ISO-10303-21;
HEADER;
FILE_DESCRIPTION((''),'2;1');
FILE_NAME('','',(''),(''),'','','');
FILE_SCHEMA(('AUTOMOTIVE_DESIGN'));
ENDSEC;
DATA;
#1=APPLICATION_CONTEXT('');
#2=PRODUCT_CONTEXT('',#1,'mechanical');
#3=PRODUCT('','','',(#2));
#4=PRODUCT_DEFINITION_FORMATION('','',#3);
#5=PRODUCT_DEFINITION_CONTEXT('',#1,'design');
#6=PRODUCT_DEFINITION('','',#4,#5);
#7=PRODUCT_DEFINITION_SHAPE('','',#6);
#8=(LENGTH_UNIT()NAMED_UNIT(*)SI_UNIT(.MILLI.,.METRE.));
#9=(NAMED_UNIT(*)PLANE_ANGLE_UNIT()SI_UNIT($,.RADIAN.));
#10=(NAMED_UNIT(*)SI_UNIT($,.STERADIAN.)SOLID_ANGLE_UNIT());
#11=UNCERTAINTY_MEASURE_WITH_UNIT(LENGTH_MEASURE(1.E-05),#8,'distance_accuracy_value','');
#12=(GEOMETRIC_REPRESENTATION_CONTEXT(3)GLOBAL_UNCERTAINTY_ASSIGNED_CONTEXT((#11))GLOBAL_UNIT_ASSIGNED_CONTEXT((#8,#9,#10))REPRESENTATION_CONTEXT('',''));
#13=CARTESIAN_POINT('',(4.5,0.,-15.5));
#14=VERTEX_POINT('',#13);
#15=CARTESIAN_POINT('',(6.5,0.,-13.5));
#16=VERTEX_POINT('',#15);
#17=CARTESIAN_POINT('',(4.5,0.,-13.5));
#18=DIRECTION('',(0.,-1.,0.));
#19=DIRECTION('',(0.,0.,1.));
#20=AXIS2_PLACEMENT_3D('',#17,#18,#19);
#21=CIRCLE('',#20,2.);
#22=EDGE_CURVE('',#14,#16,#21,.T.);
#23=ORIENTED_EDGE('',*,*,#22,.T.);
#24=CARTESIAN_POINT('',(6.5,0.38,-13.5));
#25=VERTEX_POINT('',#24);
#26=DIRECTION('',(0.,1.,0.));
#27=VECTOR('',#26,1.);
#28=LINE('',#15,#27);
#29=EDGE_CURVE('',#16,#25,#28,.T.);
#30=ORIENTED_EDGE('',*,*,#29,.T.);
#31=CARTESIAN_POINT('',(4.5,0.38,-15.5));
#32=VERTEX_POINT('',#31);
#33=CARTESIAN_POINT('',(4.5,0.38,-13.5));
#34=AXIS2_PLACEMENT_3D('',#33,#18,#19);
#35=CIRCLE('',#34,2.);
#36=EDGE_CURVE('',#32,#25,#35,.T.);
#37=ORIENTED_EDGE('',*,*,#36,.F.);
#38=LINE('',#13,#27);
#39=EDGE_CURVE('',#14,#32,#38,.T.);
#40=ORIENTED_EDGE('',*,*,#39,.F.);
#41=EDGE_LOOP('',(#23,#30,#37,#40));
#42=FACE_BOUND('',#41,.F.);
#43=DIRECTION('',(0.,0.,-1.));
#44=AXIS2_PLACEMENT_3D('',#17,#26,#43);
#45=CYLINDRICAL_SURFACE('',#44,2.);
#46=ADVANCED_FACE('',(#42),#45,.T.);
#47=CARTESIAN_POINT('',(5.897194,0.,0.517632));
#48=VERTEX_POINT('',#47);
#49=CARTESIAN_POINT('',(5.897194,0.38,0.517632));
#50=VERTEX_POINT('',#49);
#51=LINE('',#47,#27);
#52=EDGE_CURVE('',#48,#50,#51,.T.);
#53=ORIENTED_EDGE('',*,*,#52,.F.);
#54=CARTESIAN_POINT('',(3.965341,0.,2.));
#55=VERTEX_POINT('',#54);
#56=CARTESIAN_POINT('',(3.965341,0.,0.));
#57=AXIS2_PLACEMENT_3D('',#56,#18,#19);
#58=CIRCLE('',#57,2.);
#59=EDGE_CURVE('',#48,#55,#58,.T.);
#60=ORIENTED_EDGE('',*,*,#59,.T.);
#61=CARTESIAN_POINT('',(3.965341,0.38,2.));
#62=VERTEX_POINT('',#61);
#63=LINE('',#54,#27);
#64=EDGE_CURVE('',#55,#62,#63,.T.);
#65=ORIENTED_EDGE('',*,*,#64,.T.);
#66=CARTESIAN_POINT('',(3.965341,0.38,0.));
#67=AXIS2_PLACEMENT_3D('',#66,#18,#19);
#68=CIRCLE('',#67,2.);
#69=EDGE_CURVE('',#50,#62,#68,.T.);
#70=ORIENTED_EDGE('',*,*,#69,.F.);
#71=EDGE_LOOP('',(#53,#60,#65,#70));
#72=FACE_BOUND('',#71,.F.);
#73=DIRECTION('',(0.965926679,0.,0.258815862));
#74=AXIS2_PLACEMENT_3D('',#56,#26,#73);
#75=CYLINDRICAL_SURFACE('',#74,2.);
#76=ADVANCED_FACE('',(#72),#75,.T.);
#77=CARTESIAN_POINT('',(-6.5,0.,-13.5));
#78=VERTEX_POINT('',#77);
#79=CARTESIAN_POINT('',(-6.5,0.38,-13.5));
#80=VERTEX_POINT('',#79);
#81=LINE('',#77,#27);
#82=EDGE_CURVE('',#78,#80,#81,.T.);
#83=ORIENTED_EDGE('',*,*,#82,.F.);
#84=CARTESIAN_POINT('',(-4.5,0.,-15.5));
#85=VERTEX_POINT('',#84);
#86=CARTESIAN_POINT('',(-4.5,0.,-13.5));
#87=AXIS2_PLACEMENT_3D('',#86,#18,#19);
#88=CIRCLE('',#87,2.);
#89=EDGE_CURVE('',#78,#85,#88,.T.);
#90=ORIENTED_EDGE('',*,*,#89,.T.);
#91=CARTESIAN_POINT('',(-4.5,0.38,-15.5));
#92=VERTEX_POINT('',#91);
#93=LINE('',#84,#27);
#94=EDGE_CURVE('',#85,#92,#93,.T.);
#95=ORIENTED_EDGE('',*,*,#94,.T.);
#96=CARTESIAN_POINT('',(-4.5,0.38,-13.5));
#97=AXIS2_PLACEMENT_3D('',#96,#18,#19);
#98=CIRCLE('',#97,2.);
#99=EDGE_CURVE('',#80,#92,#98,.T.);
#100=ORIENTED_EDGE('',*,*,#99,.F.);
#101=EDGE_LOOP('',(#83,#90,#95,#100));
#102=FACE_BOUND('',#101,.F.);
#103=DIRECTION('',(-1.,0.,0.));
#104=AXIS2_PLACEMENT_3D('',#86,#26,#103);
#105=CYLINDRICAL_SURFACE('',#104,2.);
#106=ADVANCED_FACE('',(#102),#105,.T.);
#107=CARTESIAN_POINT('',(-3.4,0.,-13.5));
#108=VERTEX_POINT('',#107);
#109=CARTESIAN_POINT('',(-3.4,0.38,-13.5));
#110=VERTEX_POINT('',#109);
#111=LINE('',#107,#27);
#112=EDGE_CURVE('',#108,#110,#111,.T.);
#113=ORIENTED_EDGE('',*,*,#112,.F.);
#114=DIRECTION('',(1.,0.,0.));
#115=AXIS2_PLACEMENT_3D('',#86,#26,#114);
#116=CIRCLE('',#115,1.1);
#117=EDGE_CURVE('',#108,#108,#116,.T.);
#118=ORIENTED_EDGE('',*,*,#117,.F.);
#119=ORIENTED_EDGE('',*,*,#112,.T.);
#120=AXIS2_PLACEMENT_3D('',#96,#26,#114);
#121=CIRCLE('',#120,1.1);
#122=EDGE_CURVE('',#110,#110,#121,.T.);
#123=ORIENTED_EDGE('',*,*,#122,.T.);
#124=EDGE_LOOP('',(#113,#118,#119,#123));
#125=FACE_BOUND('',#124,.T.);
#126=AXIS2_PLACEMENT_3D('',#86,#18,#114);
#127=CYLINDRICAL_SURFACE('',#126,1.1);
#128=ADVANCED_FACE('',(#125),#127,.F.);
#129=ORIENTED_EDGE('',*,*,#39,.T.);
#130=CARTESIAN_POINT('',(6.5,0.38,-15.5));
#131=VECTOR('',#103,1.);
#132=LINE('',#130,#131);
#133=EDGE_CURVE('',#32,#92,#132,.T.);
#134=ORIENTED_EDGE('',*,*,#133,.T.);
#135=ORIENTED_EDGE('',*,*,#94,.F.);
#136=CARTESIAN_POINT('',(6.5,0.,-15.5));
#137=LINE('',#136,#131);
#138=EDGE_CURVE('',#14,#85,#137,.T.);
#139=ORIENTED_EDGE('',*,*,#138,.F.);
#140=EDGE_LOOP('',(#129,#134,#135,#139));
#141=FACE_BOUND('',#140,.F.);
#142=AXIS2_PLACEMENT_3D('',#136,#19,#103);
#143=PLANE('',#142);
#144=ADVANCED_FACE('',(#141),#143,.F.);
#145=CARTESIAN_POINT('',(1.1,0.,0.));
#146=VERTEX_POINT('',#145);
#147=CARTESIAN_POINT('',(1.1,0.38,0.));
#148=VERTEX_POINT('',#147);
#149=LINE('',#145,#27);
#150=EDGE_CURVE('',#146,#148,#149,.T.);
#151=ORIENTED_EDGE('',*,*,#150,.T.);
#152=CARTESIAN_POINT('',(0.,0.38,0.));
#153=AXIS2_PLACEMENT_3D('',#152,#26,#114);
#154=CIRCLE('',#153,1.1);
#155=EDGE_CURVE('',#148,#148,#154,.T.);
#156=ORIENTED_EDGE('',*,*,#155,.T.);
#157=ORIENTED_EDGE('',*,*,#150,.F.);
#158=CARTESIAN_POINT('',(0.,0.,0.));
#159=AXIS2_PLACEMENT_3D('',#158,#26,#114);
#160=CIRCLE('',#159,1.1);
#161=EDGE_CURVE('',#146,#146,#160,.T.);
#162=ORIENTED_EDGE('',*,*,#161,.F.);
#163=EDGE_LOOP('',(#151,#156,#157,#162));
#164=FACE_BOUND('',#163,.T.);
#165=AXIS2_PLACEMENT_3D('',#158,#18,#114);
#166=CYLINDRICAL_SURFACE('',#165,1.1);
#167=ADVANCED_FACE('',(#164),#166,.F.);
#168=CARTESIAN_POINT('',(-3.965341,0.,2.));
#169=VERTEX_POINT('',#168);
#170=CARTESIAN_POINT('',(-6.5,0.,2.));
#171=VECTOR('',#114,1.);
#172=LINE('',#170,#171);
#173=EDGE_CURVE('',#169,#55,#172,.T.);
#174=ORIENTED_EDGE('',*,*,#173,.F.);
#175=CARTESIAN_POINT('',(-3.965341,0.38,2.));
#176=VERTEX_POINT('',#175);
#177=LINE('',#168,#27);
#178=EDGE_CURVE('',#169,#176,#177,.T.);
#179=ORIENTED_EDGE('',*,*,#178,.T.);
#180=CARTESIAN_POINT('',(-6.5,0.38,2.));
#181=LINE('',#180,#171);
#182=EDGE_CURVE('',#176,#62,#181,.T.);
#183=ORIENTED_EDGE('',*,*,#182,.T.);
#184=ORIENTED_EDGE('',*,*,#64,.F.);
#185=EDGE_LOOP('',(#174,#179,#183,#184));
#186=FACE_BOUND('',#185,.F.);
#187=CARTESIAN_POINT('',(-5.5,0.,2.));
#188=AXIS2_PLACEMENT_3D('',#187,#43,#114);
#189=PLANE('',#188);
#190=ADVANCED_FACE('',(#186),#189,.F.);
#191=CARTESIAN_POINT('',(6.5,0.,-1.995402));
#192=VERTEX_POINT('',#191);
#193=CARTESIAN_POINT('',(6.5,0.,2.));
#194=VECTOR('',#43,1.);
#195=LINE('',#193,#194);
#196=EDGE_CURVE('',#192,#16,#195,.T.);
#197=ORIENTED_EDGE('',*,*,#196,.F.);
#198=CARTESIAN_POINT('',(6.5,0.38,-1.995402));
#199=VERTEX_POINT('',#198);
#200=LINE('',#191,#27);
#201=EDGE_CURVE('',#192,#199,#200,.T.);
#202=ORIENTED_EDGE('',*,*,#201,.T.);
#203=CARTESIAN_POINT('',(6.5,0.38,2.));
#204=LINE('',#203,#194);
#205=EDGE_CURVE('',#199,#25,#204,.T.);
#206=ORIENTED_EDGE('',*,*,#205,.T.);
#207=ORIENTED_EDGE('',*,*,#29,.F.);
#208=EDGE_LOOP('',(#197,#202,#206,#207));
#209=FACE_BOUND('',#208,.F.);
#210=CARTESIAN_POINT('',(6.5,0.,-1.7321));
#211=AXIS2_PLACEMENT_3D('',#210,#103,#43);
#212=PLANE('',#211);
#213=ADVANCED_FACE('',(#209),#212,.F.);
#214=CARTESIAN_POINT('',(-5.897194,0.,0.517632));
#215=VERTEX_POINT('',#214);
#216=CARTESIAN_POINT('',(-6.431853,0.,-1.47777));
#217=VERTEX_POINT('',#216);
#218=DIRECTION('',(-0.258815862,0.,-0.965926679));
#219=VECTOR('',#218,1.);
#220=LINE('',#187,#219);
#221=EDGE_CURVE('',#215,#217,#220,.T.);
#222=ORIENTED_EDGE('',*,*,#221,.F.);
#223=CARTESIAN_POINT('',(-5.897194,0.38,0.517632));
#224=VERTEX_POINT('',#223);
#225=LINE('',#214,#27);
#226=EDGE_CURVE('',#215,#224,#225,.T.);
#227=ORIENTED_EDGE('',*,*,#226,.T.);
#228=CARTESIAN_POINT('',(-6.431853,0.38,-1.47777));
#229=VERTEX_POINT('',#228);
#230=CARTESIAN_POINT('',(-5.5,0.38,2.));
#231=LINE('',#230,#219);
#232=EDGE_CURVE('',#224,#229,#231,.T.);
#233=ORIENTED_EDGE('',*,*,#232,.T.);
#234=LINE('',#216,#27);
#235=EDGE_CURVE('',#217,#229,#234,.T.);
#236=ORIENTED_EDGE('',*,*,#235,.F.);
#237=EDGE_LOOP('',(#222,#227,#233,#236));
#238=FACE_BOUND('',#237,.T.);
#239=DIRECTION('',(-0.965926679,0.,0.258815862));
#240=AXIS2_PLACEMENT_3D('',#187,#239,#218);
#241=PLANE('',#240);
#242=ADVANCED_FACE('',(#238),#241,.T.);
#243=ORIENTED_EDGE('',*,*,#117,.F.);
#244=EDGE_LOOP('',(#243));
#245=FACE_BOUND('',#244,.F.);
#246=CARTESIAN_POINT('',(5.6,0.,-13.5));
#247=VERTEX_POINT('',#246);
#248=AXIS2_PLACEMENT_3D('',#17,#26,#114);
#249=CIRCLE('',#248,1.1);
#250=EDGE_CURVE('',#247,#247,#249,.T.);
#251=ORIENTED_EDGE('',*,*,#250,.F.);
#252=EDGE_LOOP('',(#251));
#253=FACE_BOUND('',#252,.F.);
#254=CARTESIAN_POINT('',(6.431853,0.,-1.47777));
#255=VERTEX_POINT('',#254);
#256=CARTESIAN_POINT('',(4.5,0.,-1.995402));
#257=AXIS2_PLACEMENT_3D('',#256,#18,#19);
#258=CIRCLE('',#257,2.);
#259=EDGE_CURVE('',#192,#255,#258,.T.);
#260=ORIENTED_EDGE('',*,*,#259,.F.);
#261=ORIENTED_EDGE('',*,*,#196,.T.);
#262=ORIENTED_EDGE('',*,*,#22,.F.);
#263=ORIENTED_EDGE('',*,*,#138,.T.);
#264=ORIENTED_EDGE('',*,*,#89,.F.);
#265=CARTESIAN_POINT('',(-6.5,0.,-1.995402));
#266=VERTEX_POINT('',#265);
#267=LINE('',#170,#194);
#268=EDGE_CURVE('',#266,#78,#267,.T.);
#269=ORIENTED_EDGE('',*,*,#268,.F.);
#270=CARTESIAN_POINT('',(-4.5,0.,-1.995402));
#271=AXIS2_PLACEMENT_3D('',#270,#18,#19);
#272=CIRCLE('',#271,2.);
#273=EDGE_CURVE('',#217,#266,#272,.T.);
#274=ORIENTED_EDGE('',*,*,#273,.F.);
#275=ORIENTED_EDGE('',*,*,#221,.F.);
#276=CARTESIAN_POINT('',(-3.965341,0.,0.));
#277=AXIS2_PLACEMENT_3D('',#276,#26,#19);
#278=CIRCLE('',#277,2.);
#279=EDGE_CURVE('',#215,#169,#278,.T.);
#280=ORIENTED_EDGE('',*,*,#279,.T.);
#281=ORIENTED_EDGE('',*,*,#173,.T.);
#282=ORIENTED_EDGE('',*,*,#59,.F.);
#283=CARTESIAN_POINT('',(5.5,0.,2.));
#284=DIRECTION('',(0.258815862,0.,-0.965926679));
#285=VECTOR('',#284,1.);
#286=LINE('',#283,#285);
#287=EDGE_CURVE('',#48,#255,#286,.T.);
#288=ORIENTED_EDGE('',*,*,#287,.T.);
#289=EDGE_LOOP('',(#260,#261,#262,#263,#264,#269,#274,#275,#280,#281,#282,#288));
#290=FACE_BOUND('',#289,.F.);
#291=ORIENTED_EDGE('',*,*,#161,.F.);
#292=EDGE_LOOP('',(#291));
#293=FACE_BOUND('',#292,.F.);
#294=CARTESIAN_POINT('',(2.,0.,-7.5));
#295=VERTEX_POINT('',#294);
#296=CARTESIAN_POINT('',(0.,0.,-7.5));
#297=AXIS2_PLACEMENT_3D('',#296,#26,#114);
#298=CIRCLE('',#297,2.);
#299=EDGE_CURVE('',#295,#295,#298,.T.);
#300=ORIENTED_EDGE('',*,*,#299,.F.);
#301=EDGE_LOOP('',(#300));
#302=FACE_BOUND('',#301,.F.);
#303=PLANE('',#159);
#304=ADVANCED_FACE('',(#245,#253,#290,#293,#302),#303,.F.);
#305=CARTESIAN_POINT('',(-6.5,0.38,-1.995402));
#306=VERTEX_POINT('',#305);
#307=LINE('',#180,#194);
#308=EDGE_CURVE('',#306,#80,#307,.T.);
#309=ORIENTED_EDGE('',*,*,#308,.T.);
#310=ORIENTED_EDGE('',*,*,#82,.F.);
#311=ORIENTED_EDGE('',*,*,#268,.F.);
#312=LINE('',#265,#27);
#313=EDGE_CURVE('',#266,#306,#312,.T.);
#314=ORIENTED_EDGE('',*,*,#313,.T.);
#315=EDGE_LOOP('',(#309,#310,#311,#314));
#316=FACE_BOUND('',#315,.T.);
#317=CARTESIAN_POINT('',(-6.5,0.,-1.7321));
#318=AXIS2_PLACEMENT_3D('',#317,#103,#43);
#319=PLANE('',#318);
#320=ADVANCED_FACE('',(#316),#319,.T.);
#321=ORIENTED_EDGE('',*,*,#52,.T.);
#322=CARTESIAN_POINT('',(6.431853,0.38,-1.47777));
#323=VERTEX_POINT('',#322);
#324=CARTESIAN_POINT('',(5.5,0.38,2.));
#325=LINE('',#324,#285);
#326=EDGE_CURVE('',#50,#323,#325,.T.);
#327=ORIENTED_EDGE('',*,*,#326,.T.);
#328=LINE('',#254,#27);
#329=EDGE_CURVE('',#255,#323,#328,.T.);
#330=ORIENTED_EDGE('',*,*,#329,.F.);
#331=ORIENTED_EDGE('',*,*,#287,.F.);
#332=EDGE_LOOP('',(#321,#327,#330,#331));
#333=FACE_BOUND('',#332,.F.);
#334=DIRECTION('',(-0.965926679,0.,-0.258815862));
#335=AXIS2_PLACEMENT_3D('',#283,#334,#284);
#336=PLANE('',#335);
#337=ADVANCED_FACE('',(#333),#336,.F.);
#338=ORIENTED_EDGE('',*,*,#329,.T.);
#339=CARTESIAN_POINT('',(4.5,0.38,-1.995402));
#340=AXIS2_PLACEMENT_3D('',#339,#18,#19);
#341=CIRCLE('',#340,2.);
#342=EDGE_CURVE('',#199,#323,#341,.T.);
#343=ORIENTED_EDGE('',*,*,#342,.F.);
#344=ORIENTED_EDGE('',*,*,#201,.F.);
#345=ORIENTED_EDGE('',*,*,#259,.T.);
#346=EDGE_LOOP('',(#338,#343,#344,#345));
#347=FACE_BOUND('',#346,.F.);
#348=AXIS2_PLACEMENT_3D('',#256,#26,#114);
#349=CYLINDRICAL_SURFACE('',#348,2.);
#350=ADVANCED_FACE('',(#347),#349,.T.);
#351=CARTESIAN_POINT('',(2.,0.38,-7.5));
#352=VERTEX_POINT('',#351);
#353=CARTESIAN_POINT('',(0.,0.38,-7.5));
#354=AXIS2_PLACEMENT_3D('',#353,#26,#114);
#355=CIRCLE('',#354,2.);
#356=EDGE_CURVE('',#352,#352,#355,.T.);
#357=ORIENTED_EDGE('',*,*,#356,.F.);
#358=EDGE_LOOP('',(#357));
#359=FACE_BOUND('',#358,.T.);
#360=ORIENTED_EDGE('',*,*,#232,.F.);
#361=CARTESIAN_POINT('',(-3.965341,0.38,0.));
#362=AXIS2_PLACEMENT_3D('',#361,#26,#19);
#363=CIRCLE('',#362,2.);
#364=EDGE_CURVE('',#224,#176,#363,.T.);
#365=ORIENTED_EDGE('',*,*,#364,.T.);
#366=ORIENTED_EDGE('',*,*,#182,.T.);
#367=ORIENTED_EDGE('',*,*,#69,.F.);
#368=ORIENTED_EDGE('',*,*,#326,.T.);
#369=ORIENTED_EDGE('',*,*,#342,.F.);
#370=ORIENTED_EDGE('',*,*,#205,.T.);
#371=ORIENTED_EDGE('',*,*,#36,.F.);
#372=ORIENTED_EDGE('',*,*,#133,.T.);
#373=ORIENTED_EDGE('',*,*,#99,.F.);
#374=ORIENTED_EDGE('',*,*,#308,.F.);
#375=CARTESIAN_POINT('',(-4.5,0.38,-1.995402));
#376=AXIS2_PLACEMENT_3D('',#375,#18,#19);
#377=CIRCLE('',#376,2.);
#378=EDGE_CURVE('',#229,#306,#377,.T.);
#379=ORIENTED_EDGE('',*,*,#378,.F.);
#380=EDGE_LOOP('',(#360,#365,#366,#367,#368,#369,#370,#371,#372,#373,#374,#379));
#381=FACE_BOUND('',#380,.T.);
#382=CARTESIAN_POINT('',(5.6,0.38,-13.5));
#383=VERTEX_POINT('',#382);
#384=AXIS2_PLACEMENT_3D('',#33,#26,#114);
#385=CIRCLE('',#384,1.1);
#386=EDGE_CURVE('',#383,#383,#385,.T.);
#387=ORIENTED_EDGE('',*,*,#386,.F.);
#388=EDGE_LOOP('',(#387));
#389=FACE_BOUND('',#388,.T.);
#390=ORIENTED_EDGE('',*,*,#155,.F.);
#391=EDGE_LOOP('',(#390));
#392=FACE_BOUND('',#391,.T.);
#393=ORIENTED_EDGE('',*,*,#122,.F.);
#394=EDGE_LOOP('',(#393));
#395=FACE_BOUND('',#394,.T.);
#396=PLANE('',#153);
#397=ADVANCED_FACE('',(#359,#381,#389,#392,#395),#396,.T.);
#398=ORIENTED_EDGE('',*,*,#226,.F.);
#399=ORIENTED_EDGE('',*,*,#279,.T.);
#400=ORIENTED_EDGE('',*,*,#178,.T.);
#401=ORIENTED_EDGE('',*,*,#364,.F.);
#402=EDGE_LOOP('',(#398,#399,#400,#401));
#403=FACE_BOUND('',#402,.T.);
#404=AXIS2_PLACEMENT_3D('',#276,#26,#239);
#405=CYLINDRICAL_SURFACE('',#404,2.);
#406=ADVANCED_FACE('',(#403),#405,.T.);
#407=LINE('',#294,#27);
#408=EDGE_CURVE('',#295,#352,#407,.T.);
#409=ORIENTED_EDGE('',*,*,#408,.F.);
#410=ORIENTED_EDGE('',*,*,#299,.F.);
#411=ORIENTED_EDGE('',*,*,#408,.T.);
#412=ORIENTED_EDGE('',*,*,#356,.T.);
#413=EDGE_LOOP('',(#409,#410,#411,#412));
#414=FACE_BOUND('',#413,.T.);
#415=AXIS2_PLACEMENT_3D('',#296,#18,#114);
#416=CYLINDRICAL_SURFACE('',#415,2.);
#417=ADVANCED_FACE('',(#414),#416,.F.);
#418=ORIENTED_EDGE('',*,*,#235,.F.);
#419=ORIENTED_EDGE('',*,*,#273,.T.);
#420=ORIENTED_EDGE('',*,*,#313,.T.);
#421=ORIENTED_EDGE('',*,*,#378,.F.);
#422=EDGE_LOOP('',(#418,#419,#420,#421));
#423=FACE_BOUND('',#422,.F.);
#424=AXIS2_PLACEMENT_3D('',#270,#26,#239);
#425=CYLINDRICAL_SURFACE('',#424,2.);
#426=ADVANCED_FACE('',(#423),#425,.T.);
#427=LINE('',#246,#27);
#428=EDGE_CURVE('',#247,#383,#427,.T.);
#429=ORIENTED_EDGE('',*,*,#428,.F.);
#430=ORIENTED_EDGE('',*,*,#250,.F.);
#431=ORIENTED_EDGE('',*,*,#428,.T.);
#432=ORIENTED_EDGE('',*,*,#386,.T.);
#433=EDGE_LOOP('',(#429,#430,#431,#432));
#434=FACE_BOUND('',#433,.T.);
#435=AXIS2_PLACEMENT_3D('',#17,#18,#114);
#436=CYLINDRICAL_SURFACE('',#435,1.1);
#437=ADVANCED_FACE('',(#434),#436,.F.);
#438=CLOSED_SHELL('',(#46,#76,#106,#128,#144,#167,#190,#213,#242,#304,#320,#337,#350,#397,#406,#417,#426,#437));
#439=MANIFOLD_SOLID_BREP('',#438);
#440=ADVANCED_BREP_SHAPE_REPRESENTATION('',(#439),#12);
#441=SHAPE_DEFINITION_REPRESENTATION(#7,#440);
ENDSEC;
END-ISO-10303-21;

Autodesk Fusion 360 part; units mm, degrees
sketch "Sketch1" plane through (0, 0, 0) normal (0, 1, 0) x (1, 0, 0)
  circle A0 centre (-4.5, 13.5) radius 1.1
  circle A1 centre (4.5, 13.5) radius 1.1
  line L0 (0, -20) -> (0, -2.5) construction
  circle A2 centre (0, 0) radius 1.1
  circle A3 centre (0, 7.5) radius 2
  line L1 (-6.5, -2) -> (6.5, -2)
  line L2 (6.5, -2) -> (6.5, 15.5)
  line L3 (-6.5, -2) -> (-6.5, 15.5)
  line L4 (6.5, 15.5) -> (-6.5, 15.5)
  line L5 (-5.5, -2) -> (-6.5, 1.7321)
  line L6 (5.5, -2) -> (6.5, 1.7321)
  dimension "d1" = 2.2
  dimension "d2" = 2.2
  dimension "d3" = 9
  dimension "d4" = 13.5
  dimension "d5" = 2.2
  dimension "d6" = 7.5
  dimension "d7" = 4
  dimension "d8" = 13
  dimension "d9" = 2
  dimension "d10" = 2
  dimension "d15" = 30
  dimension "d16" = 11
extrude "Extrude1" add sketch "Sketch1" along normal blind 0.38 contours L1 L2 L3 L4 L5 L6
fillet "Fillet1" radius 2 6 edges at (-6.5, 0.19, -15.5) (6.5, 0.19, -15.5) (-5.5, 0.19, 2) (-6.5, 0.19, -1.7321) (5.5, 0.19, 2) (6.5, 0.19, -1.7321)
